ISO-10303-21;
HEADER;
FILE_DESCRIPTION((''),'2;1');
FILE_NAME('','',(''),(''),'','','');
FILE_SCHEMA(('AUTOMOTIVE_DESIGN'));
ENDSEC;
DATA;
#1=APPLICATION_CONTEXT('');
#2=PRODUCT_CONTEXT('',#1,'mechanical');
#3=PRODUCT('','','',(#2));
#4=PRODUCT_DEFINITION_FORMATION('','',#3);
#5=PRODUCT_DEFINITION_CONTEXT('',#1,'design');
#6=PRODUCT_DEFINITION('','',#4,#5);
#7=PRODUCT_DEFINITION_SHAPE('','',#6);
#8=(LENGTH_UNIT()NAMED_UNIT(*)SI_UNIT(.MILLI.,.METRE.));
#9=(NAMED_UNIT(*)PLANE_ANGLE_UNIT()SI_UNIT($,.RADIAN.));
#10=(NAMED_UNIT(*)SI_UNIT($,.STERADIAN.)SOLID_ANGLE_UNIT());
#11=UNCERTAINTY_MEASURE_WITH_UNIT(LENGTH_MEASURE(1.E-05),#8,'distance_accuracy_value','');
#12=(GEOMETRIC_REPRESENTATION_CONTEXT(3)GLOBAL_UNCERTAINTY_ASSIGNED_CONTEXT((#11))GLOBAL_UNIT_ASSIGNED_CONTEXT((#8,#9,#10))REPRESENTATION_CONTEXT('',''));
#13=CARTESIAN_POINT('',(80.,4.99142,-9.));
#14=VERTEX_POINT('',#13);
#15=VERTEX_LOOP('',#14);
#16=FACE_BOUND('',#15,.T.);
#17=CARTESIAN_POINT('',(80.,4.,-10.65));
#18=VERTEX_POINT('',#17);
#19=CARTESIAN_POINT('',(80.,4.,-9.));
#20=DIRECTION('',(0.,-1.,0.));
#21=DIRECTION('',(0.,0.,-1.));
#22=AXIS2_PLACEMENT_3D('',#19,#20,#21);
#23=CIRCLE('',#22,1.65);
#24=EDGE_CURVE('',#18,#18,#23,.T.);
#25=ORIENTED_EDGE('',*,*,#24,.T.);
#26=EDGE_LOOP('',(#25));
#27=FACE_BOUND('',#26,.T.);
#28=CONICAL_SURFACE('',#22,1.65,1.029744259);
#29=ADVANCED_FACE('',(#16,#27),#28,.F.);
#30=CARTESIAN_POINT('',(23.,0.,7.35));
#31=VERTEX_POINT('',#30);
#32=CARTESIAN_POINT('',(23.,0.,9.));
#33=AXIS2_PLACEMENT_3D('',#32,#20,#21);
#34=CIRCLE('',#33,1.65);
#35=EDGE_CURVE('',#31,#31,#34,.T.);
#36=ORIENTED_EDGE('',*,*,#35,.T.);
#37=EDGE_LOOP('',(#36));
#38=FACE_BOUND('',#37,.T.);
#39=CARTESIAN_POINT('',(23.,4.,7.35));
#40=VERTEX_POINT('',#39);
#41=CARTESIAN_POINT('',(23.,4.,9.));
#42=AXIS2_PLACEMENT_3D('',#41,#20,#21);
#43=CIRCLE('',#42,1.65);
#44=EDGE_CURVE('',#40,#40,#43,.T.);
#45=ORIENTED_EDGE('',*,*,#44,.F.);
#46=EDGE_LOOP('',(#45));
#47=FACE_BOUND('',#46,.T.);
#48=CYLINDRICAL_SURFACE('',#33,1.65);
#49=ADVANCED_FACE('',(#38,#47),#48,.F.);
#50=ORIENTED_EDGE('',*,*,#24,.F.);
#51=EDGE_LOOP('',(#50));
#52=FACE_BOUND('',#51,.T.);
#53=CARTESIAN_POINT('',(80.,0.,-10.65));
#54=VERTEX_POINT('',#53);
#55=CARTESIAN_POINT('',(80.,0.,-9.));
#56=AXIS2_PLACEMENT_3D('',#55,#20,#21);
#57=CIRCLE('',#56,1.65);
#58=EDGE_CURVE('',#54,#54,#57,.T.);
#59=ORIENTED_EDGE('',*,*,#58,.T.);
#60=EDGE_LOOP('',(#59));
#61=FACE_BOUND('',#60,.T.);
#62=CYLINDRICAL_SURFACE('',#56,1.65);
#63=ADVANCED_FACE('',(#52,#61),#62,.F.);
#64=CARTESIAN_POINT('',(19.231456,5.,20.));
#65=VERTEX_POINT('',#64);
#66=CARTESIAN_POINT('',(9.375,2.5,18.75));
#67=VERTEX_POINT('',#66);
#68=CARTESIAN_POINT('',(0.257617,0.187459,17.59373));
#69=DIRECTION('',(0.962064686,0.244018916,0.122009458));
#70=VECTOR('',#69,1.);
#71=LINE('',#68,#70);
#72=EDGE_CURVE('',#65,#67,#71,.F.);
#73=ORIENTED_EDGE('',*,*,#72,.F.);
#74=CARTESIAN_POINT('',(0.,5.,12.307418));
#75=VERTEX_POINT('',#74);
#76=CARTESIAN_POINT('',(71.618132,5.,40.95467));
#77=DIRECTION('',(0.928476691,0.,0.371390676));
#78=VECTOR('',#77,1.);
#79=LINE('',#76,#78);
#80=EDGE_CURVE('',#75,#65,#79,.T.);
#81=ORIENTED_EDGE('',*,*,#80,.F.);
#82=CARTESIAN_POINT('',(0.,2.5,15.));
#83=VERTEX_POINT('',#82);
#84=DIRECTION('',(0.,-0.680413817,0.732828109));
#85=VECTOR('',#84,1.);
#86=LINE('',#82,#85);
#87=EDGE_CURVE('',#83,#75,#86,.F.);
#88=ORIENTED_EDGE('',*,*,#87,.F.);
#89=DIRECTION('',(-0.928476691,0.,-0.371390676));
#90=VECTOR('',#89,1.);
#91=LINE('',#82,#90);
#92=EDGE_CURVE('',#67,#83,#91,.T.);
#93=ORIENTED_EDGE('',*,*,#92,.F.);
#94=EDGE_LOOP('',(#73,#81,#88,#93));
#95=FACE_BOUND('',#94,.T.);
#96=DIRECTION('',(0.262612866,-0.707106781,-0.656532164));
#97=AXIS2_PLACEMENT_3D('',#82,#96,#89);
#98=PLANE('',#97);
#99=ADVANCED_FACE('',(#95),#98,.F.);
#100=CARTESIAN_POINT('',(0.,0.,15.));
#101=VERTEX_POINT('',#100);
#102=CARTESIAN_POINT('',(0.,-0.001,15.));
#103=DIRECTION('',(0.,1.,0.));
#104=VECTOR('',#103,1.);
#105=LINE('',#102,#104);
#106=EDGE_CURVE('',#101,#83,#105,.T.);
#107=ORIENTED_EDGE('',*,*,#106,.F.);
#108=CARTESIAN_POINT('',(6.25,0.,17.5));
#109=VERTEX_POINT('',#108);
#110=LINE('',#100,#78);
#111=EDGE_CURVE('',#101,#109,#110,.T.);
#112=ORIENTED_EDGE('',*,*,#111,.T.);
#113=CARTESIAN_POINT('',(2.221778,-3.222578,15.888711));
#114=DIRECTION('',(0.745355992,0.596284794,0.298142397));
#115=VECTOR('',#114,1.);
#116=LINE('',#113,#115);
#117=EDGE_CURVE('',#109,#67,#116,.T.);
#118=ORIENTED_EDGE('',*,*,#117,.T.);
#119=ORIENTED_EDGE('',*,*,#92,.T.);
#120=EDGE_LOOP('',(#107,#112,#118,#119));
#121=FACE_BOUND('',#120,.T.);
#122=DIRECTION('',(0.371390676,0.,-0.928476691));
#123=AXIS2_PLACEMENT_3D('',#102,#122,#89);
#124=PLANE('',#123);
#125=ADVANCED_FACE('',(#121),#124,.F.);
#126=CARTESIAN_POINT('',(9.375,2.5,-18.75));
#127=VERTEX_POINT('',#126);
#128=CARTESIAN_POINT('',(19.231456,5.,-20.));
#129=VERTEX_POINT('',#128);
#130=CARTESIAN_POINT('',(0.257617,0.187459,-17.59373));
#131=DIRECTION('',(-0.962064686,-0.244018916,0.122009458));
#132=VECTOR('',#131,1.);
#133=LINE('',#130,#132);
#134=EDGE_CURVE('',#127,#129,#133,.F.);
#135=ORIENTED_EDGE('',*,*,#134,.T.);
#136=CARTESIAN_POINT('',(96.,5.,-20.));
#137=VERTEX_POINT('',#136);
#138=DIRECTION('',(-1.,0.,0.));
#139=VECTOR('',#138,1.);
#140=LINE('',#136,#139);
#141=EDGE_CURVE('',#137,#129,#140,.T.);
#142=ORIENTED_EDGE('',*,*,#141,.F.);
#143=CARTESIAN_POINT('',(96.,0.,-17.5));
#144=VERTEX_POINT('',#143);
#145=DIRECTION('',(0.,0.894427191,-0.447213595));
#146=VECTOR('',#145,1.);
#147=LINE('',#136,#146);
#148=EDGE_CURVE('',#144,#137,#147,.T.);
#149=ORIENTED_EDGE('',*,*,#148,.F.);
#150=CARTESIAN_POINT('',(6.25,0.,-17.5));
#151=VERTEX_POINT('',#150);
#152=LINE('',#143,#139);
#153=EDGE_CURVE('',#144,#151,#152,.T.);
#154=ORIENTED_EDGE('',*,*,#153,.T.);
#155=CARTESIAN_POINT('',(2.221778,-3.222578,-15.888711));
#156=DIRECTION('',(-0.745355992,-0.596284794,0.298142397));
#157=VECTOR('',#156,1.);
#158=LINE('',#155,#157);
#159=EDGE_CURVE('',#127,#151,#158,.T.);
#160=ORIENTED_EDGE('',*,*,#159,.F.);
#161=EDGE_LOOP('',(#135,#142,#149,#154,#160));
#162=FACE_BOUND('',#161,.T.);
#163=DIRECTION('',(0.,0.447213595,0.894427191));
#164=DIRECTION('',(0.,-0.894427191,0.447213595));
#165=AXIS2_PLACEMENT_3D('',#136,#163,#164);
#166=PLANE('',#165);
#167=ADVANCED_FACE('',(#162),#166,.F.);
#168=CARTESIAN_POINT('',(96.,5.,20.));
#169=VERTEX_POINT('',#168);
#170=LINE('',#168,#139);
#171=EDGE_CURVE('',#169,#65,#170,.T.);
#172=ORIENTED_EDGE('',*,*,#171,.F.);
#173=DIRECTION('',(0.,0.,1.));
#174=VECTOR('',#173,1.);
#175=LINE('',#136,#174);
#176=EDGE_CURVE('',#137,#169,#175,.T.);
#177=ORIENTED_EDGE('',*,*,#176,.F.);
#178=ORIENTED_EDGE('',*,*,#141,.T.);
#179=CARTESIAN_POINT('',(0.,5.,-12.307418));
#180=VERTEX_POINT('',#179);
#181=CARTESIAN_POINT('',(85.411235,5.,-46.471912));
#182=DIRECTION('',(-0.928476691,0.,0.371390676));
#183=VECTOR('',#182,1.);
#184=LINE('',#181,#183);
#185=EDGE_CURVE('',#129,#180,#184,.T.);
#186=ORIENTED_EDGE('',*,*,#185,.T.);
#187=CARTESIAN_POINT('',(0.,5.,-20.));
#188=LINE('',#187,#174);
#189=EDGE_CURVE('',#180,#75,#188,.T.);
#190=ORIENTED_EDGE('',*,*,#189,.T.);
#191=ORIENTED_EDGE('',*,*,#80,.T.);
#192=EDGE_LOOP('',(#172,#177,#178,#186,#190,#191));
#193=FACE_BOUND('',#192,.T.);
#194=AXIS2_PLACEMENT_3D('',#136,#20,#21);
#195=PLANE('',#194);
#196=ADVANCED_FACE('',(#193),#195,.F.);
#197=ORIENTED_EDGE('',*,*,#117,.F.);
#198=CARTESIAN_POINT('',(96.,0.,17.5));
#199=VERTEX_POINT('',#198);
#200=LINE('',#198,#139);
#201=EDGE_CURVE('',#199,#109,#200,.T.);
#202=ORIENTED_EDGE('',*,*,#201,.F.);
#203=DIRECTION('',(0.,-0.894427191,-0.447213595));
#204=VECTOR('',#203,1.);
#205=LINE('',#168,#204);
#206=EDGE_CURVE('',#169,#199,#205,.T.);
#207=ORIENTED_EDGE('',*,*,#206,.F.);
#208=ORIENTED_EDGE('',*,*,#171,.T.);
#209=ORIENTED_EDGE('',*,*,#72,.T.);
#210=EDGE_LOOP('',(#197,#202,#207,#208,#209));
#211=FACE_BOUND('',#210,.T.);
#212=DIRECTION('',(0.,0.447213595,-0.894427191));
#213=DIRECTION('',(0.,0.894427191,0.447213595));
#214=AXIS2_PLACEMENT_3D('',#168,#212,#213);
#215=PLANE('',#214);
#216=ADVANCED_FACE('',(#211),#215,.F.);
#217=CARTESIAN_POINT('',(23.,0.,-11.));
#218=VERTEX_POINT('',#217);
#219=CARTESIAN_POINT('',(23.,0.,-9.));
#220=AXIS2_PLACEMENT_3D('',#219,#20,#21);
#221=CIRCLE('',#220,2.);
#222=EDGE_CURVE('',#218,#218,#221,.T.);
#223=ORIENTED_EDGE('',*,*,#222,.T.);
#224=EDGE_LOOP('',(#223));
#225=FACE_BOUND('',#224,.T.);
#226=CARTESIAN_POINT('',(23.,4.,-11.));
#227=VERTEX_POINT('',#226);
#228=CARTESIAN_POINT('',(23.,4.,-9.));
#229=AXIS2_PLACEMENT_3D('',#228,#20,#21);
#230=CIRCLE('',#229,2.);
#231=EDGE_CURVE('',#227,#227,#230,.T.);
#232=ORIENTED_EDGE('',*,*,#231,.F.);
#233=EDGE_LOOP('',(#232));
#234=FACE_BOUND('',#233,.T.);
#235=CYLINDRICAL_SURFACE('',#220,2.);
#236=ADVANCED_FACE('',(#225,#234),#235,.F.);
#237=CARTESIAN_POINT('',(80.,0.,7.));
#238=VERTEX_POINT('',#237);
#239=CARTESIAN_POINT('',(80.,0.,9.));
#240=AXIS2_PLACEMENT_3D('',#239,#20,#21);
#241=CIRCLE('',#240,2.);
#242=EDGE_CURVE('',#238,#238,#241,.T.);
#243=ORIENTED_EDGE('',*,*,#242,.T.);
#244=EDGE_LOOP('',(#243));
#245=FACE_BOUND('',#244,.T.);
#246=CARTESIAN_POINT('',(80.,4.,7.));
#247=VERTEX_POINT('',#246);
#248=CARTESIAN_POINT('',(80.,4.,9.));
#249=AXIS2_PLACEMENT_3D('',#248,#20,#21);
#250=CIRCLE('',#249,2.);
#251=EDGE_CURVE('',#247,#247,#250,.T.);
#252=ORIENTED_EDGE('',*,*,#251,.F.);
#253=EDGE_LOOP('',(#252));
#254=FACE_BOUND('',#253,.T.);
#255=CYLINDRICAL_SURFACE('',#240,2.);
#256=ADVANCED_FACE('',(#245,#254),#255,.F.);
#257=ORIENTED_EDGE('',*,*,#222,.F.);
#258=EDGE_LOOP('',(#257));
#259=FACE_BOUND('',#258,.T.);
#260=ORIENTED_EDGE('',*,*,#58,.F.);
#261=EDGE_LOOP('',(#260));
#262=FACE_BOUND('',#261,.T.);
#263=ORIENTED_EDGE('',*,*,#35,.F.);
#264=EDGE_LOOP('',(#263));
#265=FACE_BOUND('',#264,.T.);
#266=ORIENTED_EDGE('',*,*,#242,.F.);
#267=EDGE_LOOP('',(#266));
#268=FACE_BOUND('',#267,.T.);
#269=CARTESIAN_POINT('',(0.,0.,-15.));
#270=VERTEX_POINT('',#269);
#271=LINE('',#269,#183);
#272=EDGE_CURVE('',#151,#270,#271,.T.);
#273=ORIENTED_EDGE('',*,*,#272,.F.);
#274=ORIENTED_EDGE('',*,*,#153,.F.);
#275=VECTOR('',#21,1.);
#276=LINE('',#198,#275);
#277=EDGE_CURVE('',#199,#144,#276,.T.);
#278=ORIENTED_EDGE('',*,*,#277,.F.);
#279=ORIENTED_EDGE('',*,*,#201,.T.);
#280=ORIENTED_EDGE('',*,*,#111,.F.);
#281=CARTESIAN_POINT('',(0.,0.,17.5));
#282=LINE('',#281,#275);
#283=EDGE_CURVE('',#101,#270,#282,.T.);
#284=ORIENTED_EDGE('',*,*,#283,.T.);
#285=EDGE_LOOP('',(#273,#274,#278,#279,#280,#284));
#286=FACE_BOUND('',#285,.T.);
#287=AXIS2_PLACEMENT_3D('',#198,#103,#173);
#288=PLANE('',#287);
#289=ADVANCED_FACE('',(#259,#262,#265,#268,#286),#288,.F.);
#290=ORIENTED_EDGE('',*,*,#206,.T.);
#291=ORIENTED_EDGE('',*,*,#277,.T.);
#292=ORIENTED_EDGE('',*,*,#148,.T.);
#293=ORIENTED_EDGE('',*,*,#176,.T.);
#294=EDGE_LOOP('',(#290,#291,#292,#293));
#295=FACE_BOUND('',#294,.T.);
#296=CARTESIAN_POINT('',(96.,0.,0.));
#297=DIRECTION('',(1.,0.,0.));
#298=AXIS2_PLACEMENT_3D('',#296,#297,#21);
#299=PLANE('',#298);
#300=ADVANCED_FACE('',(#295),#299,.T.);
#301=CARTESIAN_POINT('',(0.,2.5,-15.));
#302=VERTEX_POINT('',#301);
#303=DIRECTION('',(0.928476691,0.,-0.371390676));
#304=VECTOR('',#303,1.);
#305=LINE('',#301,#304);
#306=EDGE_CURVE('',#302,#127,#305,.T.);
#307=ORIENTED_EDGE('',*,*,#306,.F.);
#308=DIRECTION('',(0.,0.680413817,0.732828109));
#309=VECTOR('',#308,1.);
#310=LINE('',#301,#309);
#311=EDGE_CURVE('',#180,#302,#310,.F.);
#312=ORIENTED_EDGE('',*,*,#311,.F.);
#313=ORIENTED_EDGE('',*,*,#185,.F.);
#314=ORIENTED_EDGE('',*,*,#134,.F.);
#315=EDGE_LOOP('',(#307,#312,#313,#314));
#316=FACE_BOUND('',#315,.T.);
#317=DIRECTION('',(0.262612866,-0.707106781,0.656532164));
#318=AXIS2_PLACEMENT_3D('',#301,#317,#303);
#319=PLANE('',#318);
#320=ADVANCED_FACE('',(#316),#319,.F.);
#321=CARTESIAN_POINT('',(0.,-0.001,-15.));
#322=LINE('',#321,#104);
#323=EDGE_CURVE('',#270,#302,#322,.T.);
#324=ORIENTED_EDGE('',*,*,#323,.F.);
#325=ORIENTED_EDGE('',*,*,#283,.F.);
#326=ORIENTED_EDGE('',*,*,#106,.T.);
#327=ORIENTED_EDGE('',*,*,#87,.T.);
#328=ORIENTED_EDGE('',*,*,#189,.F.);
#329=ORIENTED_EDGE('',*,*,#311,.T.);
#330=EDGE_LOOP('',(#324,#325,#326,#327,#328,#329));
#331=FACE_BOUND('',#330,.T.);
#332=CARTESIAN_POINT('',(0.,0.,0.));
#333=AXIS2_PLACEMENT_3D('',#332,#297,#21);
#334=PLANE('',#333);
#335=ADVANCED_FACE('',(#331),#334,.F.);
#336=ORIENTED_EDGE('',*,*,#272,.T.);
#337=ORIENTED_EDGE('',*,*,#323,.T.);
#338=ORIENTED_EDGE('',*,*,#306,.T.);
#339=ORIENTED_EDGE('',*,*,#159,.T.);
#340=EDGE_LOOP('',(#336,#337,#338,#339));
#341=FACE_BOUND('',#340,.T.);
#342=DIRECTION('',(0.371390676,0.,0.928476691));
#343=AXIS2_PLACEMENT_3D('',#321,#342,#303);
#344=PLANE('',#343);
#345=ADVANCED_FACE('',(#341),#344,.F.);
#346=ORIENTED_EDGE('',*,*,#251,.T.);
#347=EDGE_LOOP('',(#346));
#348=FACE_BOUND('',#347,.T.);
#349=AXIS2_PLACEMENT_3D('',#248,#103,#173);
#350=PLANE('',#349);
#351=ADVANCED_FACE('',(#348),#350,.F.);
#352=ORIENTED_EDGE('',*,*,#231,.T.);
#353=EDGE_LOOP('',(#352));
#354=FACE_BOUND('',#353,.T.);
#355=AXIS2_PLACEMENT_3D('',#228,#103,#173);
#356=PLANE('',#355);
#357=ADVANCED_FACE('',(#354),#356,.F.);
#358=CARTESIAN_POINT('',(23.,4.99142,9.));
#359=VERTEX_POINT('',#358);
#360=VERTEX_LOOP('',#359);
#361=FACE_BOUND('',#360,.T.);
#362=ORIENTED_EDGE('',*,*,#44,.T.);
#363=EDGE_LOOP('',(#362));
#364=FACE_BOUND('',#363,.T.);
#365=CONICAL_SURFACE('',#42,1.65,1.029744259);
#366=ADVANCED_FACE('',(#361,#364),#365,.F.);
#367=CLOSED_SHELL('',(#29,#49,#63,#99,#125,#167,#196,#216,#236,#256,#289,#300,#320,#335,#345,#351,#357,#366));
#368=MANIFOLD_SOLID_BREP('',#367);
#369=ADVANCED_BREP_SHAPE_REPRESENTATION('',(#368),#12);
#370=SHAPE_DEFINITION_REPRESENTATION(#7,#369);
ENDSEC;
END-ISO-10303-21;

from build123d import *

# Parameters (mm, degrees)
BOSS_EXTRUDE2_DEPTH       = 96
CUT_EXTRUDE1_REACH        = 7
CHAMFER1_SIZE             = 2.5
F_4_0MM_DOWEL_HOLE1_D     = 4
F_4_0MM_DOWEL_HOLE1_DEPTH = 4
M4X0_7_TAPPED_HOLE1_D     = 3.3
M4X0_7_TAPPED_HOLE1_DEPTH = 4
M4X0_7_TAPPED_HOLE1_TIP   = 0.991420021


with BuildPart() as part:
    # Sketch3 → Boss-Extrude2 (new body)
    with BuildSketch(Plane(origin=(0, 0, 0), x_dir=(0, 0, -1), z_dir=(1, 0, 0))):
        Polygon((-20, 5), (-17.5, 0), (17.5, 0), (20, 5), align=None)
    extrude(amount=BOSS_EXTRUDE2_DEPTH)

    # Sketch5 → Cut-Extrude1 (cut, up to next)
    with BuildSketch(Plane(origin=(0, 5, 0), x_dir=(1, 0, 0), z_dir=(0, 1, 0)), mode=Mode.PRIVATE) as cut_extrude1_sk1:
        Polygon((0, 15), (12.5, 20), (0, 20), align=None)
    cut_extrude1_tool1 = extrude(cut_extrude1_sk1.sketch, amount=-CUT_EXTRUDE1_REACH, mode=Mode.PRIVATE) & part.part
    add(cut_extrude1_tool1.solids().sort_by_distance((4.166667, 5, -18.333333))[0], mode=Mode.SUBTRACT)
    # Sketch5 → Cut-Extrude1 (cut, up to next)
    with BuildSketch(Plane(origin=(0, 5, 0), x_dir=(1, 0, 0), z_dir=(0, 1, 0)), mode=Mode.PRIVATE) as cut_extrude1_sk2:
        Polygon((0, -20), (0, -15), (12.5, -20), align=None)
    cut_extrude1_tool2 = extrude(cut_extrude1_sk2.sketch, amount=-CUT_EXTRUDE1_REACH, mode=Mode.PRIVATE) & part.part
    add(cut_extrude1_tool2.solids().sort_by_distance((4.166667, 5, 18.333333))[0], mode=Mode.SUBTRACT)

    # Chamfer1
    chamfer1_edges = [part.edges().sort_by_distance(p)[0] for p in [
        (6.25, 5, -17.5),
        (6.25, 5, 17.5),
    ]]
    chamfer(chamfer1_edges, length=CHAMFER1_SIZE)

    # Ø4.0mm Dowel Hole1
    with Locations(Plane(origin=(0, 0, 0), x_dir=(-1, 0, 0), z_dir=(0, -1, 0))):
        with Locations((-23, 9), (-80, -9)):
            Hole(F_4_0MM_DOWEL_HOLE1_D / 2, depth=F_4_0MM_DOWEL_HOLE1_DEPTH)

    # M4x0.7 Tapped Hole1
    with Locations(Plane(origin=(0, 0, 0), x_dir=(-1, 0, 0), z_dir=(0, -1, 0))):
        with Locations((-23, -9), (-80, 9)):
            Hole(M4X0_7_TAPPED_HOLE1_D / 2, depth=M4X0_7_TAPPED_HOLE1_DEPTH)
            with Locations((0, 0, -(M4X0_7_TAPPED_HOLE1_DEPTH + M4X0_7_TAPPED_HOLE1_TIP / 2))):  # 118° drill point
                Cone(0, M4X0_7_TAPPED_HOLE1_D / 2, M4X0_7_TAPPED_HOLE1_TIP, mode=Mode.SUBTRACT)


solid = part.part
